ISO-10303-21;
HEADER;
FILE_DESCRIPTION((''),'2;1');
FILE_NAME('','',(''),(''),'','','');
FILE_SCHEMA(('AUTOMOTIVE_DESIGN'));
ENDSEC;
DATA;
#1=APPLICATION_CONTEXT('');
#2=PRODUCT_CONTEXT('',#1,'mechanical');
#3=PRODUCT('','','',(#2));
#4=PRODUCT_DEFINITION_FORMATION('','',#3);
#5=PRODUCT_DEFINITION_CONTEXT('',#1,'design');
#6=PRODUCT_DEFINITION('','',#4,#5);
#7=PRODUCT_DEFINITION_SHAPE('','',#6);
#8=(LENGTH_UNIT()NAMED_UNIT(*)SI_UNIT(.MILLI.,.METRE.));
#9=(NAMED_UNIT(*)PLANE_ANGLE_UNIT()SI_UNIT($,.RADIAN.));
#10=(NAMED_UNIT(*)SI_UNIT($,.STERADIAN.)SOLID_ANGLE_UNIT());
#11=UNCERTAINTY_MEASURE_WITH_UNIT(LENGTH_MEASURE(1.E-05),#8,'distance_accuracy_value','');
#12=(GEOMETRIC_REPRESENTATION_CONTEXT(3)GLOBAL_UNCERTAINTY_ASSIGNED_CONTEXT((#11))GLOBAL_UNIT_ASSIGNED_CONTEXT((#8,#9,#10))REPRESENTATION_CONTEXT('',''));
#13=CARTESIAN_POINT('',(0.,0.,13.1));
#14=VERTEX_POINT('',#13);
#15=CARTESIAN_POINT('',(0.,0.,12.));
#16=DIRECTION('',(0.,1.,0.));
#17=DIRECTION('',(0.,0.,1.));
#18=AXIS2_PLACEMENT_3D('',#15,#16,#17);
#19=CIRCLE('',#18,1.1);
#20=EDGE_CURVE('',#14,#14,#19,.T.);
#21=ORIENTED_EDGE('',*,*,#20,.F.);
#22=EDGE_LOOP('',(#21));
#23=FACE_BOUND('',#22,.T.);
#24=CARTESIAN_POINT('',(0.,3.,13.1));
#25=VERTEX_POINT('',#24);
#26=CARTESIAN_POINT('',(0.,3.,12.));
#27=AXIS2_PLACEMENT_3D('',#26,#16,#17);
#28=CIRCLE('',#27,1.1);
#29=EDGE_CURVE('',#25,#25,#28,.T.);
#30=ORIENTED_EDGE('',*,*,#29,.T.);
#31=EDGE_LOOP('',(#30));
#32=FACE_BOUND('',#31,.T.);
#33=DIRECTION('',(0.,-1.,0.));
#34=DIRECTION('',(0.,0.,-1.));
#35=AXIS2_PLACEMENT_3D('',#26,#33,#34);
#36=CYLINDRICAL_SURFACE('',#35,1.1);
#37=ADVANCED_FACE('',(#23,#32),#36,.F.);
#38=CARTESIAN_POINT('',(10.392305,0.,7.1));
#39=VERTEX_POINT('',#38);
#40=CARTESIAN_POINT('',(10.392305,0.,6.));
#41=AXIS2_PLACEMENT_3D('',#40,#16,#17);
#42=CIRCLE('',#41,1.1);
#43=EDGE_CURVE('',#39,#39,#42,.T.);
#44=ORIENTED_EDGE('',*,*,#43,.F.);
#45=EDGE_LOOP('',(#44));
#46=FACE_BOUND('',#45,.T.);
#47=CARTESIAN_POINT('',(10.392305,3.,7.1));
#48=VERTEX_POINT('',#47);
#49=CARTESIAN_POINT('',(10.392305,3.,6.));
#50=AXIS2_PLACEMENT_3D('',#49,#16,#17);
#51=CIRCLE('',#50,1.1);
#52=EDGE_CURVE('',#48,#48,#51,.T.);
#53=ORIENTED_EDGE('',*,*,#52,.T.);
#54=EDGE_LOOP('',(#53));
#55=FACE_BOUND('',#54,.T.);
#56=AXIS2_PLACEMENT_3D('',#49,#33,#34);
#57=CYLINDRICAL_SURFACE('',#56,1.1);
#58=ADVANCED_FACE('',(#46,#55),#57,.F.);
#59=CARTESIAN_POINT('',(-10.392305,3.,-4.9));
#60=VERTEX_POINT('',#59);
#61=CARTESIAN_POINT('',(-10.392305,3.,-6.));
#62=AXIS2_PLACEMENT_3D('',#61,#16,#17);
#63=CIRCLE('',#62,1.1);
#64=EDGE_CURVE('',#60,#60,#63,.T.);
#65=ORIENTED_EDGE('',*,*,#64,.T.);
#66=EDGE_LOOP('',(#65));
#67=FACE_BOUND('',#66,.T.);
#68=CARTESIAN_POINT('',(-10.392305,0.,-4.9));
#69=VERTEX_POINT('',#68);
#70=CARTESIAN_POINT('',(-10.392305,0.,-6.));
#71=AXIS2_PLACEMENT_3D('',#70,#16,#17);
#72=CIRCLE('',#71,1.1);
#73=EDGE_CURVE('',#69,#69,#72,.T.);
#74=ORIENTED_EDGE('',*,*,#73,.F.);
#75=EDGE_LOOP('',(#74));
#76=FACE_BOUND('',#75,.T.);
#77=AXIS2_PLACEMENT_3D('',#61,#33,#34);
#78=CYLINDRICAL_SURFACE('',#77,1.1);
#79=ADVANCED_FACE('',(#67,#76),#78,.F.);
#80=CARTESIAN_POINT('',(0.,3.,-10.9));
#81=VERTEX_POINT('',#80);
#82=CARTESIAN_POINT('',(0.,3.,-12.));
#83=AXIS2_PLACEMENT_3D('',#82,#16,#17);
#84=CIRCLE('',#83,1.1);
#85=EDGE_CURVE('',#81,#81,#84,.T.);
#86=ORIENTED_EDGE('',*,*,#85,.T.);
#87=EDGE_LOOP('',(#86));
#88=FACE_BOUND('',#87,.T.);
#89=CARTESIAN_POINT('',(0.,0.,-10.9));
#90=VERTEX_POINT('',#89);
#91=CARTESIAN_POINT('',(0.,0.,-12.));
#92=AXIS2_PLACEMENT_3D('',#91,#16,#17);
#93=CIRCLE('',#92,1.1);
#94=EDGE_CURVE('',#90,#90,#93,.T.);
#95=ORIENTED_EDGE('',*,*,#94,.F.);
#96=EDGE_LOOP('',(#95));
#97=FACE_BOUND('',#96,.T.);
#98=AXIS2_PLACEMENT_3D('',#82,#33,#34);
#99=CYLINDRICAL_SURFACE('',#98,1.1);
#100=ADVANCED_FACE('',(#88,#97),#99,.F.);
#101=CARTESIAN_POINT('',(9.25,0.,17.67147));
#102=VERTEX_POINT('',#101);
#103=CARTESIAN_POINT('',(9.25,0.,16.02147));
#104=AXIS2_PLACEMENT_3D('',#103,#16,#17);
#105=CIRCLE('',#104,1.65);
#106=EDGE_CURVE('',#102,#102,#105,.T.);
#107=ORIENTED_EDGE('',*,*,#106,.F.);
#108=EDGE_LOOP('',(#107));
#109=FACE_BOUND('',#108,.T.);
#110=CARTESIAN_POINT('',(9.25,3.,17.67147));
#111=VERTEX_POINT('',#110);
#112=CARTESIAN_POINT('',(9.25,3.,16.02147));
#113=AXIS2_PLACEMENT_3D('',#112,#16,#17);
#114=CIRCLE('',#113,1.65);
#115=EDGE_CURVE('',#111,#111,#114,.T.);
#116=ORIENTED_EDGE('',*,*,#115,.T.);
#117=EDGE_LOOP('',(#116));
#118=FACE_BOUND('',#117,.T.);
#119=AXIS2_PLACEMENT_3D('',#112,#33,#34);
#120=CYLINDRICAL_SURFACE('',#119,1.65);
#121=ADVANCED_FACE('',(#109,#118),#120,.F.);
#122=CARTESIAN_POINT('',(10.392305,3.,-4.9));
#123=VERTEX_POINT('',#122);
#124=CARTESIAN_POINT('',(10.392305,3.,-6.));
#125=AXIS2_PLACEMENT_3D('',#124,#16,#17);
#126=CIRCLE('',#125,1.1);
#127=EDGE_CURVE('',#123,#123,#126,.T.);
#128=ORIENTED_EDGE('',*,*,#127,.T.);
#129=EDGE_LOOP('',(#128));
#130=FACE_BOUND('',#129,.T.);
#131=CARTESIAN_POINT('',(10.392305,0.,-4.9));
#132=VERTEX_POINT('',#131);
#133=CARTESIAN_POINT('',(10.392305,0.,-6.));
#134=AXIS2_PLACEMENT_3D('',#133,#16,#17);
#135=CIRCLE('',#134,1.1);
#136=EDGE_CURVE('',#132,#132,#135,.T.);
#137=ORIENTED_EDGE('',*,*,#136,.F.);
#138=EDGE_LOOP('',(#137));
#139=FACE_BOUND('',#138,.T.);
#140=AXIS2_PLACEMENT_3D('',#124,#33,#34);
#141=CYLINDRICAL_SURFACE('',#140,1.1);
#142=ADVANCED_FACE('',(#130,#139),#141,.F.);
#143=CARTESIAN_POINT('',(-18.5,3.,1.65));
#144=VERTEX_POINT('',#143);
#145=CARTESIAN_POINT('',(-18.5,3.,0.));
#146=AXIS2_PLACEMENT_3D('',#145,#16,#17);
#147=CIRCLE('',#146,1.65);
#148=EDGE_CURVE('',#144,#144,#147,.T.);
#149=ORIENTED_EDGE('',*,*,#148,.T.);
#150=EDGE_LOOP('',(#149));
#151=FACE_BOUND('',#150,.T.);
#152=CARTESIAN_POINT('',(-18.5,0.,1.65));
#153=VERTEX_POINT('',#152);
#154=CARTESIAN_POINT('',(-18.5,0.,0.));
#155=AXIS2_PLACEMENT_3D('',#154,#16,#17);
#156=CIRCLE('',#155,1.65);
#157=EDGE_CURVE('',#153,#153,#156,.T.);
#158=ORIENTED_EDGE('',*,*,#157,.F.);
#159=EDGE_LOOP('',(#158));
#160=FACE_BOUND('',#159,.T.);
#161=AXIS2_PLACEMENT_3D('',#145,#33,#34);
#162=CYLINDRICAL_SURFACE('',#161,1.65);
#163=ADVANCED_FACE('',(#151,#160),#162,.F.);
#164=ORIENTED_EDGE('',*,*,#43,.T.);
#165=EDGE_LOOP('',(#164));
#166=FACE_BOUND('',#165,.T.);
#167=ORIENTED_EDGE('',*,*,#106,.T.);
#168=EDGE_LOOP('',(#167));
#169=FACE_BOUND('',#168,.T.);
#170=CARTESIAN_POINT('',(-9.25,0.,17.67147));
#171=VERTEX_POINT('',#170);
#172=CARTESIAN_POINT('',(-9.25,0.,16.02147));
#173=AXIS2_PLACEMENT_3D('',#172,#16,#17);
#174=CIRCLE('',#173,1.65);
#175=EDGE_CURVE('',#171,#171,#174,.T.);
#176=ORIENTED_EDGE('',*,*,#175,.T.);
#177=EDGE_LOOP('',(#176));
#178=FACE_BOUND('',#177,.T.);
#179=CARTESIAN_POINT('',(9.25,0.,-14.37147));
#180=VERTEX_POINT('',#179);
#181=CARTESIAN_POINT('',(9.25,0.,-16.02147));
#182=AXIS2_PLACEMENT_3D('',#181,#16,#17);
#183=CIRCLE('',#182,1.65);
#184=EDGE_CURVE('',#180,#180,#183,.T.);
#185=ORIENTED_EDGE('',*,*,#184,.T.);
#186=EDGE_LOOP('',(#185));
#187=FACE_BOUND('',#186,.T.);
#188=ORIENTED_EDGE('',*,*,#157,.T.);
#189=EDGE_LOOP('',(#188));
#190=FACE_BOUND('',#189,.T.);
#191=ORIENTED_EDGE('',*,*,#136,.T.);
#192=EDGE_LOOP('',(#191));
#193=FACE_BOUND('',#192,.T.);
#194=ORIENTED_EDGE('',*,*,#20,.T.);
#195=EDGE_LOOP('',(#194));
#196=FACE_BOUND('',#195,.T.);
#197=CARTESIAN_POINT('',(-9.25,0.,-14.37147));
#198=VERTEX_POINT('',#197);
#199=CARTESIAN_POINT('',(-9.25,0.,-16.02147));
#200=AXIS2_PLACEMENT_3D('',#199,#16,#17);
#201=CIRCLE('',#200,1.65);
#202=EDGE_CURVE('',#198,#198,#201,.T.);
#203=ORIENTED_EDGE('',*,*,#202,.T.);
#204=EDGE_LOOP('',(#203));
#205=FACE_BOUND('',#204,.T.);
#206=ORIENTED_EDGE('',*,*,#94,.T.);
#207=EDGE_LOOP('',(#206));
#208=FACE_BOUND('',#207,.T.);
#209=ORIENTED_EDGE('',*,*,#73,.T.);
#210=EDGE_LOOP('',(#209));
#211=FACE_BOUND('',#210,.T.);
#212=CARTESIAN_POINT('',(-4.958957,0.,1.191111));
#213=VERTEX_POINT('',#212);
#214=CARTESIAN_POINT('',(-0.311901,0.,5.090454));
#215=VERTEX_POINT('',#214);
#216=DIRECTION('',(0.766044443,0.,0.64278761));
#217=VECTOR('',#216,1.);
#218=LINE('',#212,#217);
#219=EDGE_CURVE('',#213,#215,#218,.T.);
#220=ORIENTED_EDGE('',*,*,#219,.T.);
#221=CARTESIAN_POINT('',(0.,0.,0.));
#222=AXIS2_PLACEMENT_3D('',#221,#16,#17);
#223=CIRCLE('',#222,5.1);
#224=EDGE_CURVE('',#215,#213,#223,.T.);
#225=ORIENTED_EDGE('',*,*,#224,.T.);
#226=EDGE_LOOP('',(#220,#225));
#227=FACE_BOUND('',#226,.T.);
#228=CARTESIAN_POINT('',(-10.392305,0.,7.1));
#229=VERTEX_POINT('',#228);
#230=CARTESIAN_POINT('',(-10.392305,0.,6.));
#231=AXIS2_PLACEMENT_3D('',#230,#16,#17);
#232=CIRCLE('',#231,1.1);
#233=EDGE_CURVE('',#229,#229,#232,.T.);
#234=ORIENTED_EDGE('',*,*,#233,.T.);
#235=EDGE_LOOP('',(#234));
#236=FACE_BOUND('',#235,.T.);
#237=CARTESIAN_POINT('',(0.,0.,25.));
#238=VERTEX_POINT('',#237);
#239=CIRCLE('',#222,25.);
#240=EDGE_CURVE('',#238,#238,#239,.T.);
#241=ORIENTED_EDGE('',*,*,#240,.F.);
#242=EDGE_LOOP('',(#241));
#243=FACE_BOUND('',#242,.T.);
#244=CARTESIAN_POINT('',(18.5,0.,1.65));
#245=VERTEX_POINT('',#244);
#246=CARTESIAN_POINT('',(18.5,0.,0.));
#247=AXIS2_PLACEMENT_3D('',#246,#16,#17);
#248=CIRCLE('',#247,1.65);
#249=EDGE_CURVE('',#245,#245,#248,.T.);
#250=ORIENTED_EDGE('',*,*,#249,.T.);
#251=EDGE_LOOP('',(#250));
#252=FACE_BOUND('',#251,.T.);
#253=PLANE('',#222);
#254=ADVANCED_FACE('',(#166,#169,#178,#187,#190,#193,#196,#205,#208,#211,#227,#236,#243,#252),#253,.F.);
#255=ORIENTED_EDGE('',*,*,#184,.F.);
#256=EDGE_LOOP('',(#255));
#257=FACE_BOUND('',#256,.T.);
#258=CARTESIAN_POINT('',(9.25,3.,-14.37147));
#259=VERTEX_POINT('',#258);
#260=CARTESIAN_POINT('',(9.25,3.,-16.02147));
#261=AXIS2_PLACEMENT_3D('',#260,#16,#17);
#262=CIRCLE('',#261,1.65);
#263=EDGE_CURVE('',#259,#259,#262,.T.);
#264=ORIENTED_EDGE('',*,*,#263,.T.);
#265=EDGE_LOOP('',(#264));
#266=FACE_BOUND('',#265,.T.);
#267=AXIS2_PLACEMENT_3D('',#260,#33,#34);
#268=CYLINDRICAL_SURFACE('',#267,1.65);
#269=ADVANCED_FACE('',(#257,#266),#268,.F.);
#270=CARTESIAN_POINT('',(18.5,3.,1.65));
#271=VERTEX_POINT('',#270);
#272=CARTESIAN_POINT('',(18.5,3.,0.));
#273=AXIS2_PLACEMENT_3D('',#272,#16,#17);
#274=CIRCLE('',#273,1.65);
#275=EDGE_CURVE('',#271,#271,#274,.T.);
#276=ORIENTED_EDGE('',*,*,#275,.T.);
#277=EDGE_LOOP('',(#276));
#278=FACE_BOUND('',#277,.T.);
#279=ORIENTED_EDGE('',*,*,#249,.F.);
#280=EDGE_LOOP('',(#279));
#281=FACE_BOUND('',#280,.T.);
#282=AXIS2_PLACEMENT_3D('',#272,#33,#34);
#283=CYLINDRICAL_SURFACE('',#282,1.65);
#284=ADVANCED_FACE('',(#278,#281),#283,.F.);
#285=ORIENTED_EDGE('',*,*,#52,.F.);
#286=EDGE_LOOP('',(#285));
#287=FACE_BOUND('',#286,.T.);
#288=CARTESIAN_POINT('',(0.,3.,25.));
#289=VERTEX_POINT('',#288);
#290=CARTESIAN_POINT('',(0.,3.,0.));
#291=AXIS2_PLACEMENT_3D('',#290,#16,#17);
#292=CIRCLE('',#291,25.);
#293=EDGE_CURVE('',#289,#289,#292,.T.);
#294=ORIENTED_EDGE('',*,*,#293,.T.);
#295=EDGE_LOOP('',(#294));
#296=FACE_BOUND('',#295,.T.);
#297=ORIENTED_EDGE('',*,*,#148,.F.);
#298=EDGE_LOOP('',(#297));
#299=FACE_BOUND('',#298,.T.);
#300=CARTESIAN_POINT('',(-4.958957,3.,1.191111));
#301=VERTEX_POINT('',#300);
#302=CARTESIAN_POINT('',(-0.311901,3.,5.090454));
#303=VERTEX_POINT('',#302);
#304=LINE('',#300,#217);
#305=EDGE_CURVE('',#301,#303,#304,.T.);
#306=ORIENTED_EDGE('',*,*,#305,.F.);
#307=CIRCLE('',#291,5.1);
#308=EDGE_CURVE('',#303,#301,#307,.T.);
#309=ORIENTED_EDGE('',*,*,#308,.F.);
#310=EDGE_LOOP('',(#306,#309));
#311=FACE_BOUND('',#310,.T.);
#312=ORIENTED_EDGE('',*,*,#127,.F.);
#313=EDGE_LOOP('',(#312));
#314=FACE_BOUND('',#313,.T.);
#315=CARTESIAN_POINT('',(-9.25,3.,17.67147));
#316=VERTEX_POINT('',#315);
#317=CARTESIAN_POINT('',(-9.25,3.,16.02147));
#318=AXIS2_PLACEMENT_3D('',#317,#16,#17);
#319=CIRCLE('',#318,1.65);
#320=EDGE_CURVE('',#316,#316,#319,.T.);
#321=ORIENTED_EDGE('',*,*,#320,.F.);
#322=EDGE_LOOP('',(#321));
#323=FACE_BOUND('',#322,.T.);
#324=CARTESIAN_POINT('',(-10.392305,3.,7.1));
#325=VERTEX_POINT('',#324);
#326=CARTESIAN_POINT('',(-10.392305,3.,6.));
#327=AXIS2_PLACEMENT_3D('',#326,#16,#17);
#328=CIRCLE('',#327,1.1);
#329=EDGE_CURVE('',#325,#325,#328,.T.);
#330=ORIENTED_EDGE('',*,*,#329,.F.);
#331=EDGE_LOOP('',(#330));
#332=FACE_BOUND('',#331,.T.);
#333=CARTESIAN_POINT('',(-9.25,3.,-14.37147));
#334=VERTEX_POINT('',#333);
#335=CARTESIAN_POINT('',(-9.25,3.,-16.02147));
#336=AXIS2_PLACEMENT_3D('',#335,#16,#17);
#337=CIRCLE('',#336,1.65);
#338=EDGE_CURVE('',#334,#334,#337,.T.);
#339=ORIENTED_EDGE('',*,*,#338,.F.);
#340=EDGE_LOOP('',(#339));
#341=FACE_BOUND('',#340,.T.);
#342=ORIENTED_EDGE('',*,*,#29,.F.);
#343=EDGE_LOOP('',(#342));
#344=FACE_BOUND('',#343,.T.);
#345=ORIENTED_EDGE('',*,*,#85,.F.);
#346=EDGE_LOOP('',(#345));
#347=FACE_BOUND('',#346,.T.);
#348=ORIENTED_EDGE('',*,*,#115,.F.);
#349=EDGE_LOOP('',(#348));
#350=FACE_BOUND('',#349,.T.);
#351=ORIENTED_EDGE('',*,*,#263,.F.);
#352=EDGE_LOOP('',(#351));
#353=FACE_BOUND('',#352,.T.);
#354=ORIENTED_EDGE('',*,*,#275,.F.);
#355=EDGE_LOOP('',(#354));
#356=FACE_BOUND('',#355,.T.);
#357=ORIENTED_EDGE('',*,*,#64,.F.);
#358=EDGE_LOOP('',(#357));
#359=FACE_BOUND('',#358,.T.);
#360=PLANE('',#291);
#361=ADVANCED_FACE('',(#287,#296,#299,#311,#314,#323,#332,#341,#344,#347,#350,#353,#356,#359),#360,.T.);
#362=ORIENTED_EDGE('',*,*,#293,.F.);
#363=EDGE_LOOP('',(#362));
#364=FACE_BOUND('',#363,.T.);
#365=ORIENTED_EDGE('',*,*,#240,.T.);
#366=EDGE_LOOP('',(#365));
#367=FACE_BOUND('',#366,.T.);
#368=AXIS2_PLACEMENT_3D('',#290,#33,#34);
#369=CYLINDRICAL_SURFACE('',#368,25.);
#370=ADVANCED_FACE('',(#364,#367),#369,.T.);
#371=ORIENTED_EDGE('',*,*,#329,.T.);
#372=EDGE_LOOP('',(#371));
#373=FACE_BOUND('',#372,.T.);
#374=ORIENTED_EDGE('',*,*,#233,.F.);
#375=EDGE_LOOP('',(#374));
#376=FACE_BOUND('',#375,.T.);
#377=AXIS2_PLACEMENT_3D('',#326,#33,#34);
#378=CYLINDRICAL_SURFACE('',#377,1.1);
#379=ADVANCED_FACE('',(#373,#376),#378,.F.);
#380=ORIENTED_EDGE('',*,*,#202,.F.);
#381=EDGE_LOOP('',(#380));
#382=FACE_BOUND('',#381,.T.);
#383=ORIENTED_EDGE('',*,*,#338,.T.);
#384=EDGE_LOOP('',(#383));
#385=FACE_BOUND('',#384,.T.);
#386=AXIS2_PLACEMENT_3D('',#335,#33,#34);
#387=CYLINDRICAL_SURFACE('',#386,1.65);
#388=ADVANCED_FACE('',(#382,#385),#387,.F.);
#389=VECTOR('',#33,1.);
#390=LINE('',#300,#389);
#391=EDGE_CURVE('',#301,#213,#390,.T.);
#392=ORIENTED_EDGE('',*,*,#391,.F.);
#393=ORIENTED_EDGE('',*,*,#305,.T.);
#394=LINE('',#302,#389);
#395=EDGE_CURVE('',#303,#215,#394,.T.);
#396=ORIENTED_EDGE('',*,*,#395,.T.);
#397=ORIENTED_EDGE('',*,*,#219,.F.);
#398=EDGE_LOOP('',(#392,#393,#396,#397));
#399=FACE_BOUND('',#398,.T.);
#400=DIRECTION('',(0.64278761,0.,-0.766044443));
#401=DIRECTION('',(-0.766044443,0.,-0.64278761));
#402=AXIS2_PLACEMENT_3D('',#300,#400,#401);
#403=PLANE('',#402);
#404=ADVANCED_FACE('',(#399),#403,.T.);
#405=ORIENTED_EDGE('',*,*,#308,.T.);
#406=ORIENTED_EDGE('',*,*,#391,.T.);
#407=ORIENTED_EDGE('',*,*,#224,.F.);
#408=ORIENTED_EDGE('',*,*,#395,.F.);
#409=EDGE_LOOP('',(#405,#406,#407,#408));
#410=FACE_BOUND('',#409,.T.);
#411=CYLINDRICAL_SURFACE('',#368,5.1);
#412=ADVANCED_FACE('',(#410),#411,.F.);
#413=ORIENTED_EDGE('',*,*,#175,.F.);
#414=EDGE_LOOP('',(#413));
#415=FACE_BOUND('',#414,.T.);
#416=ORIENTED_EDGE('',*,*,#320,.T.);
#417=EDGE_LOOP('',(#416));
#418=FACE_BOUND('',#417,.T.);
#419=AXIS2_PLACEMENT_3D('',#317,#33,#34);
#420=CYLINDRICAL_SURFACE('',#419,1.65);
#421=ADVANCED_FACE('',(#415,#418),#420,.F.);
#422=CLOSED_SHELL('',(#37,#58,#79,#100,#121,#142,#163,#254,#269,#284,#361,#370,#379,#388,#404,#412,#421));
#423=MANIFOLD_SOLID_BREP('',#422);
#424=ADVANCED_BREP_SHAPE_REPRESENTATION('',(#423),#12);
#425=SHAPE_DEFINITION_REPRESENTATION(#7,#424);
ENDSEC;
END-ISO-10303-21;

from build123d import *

# Parameters (mm, degrees)
SKETCH_1_R      = 25
SKETCH_1_R_2    = 1.1
SKETCH_1_R_3    = 1.65
EXTRUDE_1_DEPTH = 3


with BuildPart() as part:
    # 草图1 → 凸台-拉伸1 (new body)
    with BuildSketch(Plane(origin=(0, 0, 0), x_dir=(1, 0, 0), z_dir=(0, 1, 0))):
        with Locations(Location((0, 0, 0), (0, 0, 270))):
            Circle(SKETCH_1_R)
        with Locations(Location((0, 12, 0), (0, 0, 270))):
            Circle(SKETCH_1_R_2, mode=Mode.SUBTRACT)
        with Locations(Location((-9.25, 16.02146997, 0), (0, 0, 270))):
            Circle(SKETCH_1_R_3, mode=Mode.SUBTRACT)
        with Locations(Location((9.25, 16.02146997, 0), (0, 0, 270))):
            Circle(SKETCH_1_R_3, mode=Mode.SUBTRACT)
        with Locations(Location((10.392304845, 6, 0), (0, 0, 270))):
            Circle(SKETCH_1_R_2, mode=Mode.SUBTRACT)
        with Locations(Location((18.5, 0, 0), (0, 0, 270))):
            Circle(SKETCH_1_R_3, mode=Mode.SUBTRACT)
        with Locations(Location((10.392304845, -6, 0), (0, 0, 270))):
            Circle(SKETCH_1_R_2, mode=Mode.SUBTRACT)
        with Locations(Location((9.25, -16.02146997, 0), (0, 0, 270))):
            Circle(SKETCH_1_R_3, mode=Mode.SUBTRACT)
        with Locations(Location((0, -12, 0), (0, 0, 270))):
            Circle(SKETCH_1_R_2, mode=Mode.SUBTRACT)
        with Locations(Location((-9.25, -16.02146997, 0), (0, 0, 270))):
            Circle(SKETCH_1_R_3, mode=Mode.SUBTRACT)
        with Locations(Location((-10.392304845, -6, 0), (0, 0, 270))):
            Circle(SKETCH_1_R_2, mode=Mode.SUBTRACT)
        with Locations(Location((-18.5, 0, 0), (0, 0, 270))):
            Circle(SKETCH_1_R_3, mode=Mode.SUBTRACT)
        with Locations(Location((-10.392304845, 6, 0), (0, 0, 270))):
            Circle(SKETCH_1_R_2, mode=Mode.SUBTRACT)
        with BuildLine():
            Line((-4.958957038, -1.191110864), (-0.311901361, -5.090453569))
            ThreePointArc((-0.311901361, -5.090453569), (3.278216809, 3.90682666), (-4.958957038, -1.191110864))
        make_face(mode=Mode.SUBTRACT)
    extrude(amount=EXTRUDE_1_DEPTH)


solid = part.part
